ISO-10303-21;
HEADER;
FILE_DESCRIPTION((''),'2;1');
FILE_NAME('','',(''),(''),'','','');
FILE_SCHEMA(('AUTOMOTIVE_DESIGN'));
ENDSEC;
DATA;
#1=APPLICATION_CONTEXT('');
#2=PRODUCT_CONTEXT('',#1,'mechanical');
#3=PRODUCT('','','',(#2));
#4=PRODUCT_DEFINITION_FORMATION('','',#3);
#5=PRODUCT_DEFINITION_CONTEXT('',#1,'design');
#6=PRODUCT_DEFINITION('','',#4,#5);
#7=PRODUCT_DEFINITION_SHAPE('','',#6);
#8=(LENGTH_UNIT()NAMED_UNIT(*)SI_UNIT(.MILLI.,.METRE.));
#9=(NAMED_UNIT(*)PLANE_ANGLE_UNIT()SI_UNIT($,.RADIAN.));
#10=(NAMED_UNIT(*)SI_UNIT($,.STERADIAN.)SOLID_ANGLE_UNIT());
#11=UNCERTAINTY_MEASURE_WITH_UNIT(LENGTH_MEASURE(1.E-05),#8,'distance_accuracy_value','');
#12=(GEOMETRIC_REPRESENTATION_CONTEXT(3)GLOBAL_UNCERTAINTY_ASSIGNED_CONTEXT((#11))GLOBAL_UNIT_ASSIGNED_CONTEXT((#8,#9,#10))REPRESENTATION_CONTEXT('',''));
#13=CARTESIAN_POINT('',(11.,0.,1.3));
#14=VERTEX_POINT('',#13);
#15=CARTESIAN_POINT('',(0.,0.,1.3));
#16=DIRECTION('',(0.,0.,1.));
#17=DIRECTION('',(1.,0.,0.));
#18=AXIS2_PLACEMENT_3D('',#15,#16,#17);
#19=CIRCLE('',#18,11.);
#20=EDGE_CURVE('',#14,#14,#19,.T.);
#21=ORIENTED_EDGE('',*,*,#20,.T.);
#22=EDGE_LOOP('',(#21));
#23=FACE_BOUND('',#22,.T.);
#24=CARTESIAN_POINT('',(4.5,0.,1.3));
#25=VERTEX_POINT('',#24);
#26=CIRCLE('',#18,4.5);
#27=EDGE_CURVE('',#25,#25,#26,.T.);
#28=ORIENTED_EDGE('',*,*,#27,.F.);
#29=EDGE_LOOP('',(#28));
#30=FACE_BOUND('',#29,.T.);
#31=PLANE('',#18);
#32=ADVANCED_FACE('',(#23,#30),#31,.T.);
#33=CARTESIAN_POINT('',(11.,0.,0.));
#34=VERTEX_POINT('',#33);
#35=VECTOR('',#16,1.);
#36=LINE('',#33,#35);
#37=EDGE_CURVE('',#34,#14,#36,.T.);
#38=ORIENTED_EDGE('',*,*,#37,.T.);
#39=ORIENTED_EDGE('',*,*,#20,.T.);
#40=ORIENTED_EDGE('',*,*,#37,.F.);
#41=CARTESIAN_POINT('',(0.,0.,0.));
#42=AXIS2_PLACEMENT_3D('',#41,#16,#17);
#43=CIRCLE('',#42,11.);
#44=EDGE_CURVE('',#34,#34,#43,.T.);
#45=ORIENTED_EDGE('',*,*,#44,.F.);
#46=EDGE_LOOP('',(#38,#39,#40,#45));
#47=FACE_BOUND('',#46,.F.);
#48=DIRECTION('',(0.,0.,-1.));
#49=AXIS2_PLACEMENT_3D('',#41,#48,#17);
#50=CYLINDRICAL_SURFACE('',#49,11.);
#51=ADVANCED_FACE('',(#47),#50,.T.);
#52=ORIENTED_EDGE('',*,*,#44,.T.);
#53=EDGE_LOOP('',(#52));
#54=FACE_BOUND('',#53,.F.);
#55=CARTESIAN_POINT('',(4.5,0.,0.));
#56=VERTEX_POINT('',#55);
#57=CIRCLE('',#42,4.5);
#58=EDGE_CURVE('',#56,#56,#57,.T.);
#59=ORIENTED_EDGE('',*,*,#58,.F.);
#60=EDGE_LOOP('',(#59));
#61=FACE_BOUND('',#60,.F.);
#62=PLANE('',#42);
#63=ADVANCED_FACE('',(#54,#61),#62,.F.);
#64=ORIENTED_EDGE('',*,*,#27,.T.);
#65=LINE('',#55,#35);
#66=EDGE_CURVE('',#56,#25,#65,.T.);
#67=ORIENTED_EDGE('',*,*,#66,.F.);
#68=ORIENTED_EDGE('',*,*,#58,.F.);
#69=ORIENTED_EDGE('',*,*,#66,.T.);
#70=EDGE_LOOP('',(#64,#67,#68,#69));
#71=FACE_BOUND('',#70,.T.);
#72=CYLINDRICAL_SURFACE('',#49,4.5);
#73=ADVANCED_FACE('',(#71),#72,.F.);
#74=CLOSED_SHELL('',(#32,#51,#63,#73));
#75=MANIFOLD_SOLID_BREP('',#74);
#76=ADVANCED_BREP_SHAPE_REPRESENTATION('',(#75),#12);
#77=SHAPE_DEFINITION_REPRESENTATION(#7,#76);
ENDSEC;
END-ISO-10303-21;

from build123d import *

# Parameters (mm, degrees)
SKETCH_R   = 11
SKETCH_R_2 = 4.5
PAD_DEPTH  = 1.3


with BuildPart() as part:
    # Sketch → Pad (new body)
    with BuildSketch(Plane.XY):
        Circle(SKETCH_R)
        Circle(SKETCH_R_2, mode=Mode.SUBTRACT)
    extrude(amount=PAD_DEPTH)


solid = part.part
